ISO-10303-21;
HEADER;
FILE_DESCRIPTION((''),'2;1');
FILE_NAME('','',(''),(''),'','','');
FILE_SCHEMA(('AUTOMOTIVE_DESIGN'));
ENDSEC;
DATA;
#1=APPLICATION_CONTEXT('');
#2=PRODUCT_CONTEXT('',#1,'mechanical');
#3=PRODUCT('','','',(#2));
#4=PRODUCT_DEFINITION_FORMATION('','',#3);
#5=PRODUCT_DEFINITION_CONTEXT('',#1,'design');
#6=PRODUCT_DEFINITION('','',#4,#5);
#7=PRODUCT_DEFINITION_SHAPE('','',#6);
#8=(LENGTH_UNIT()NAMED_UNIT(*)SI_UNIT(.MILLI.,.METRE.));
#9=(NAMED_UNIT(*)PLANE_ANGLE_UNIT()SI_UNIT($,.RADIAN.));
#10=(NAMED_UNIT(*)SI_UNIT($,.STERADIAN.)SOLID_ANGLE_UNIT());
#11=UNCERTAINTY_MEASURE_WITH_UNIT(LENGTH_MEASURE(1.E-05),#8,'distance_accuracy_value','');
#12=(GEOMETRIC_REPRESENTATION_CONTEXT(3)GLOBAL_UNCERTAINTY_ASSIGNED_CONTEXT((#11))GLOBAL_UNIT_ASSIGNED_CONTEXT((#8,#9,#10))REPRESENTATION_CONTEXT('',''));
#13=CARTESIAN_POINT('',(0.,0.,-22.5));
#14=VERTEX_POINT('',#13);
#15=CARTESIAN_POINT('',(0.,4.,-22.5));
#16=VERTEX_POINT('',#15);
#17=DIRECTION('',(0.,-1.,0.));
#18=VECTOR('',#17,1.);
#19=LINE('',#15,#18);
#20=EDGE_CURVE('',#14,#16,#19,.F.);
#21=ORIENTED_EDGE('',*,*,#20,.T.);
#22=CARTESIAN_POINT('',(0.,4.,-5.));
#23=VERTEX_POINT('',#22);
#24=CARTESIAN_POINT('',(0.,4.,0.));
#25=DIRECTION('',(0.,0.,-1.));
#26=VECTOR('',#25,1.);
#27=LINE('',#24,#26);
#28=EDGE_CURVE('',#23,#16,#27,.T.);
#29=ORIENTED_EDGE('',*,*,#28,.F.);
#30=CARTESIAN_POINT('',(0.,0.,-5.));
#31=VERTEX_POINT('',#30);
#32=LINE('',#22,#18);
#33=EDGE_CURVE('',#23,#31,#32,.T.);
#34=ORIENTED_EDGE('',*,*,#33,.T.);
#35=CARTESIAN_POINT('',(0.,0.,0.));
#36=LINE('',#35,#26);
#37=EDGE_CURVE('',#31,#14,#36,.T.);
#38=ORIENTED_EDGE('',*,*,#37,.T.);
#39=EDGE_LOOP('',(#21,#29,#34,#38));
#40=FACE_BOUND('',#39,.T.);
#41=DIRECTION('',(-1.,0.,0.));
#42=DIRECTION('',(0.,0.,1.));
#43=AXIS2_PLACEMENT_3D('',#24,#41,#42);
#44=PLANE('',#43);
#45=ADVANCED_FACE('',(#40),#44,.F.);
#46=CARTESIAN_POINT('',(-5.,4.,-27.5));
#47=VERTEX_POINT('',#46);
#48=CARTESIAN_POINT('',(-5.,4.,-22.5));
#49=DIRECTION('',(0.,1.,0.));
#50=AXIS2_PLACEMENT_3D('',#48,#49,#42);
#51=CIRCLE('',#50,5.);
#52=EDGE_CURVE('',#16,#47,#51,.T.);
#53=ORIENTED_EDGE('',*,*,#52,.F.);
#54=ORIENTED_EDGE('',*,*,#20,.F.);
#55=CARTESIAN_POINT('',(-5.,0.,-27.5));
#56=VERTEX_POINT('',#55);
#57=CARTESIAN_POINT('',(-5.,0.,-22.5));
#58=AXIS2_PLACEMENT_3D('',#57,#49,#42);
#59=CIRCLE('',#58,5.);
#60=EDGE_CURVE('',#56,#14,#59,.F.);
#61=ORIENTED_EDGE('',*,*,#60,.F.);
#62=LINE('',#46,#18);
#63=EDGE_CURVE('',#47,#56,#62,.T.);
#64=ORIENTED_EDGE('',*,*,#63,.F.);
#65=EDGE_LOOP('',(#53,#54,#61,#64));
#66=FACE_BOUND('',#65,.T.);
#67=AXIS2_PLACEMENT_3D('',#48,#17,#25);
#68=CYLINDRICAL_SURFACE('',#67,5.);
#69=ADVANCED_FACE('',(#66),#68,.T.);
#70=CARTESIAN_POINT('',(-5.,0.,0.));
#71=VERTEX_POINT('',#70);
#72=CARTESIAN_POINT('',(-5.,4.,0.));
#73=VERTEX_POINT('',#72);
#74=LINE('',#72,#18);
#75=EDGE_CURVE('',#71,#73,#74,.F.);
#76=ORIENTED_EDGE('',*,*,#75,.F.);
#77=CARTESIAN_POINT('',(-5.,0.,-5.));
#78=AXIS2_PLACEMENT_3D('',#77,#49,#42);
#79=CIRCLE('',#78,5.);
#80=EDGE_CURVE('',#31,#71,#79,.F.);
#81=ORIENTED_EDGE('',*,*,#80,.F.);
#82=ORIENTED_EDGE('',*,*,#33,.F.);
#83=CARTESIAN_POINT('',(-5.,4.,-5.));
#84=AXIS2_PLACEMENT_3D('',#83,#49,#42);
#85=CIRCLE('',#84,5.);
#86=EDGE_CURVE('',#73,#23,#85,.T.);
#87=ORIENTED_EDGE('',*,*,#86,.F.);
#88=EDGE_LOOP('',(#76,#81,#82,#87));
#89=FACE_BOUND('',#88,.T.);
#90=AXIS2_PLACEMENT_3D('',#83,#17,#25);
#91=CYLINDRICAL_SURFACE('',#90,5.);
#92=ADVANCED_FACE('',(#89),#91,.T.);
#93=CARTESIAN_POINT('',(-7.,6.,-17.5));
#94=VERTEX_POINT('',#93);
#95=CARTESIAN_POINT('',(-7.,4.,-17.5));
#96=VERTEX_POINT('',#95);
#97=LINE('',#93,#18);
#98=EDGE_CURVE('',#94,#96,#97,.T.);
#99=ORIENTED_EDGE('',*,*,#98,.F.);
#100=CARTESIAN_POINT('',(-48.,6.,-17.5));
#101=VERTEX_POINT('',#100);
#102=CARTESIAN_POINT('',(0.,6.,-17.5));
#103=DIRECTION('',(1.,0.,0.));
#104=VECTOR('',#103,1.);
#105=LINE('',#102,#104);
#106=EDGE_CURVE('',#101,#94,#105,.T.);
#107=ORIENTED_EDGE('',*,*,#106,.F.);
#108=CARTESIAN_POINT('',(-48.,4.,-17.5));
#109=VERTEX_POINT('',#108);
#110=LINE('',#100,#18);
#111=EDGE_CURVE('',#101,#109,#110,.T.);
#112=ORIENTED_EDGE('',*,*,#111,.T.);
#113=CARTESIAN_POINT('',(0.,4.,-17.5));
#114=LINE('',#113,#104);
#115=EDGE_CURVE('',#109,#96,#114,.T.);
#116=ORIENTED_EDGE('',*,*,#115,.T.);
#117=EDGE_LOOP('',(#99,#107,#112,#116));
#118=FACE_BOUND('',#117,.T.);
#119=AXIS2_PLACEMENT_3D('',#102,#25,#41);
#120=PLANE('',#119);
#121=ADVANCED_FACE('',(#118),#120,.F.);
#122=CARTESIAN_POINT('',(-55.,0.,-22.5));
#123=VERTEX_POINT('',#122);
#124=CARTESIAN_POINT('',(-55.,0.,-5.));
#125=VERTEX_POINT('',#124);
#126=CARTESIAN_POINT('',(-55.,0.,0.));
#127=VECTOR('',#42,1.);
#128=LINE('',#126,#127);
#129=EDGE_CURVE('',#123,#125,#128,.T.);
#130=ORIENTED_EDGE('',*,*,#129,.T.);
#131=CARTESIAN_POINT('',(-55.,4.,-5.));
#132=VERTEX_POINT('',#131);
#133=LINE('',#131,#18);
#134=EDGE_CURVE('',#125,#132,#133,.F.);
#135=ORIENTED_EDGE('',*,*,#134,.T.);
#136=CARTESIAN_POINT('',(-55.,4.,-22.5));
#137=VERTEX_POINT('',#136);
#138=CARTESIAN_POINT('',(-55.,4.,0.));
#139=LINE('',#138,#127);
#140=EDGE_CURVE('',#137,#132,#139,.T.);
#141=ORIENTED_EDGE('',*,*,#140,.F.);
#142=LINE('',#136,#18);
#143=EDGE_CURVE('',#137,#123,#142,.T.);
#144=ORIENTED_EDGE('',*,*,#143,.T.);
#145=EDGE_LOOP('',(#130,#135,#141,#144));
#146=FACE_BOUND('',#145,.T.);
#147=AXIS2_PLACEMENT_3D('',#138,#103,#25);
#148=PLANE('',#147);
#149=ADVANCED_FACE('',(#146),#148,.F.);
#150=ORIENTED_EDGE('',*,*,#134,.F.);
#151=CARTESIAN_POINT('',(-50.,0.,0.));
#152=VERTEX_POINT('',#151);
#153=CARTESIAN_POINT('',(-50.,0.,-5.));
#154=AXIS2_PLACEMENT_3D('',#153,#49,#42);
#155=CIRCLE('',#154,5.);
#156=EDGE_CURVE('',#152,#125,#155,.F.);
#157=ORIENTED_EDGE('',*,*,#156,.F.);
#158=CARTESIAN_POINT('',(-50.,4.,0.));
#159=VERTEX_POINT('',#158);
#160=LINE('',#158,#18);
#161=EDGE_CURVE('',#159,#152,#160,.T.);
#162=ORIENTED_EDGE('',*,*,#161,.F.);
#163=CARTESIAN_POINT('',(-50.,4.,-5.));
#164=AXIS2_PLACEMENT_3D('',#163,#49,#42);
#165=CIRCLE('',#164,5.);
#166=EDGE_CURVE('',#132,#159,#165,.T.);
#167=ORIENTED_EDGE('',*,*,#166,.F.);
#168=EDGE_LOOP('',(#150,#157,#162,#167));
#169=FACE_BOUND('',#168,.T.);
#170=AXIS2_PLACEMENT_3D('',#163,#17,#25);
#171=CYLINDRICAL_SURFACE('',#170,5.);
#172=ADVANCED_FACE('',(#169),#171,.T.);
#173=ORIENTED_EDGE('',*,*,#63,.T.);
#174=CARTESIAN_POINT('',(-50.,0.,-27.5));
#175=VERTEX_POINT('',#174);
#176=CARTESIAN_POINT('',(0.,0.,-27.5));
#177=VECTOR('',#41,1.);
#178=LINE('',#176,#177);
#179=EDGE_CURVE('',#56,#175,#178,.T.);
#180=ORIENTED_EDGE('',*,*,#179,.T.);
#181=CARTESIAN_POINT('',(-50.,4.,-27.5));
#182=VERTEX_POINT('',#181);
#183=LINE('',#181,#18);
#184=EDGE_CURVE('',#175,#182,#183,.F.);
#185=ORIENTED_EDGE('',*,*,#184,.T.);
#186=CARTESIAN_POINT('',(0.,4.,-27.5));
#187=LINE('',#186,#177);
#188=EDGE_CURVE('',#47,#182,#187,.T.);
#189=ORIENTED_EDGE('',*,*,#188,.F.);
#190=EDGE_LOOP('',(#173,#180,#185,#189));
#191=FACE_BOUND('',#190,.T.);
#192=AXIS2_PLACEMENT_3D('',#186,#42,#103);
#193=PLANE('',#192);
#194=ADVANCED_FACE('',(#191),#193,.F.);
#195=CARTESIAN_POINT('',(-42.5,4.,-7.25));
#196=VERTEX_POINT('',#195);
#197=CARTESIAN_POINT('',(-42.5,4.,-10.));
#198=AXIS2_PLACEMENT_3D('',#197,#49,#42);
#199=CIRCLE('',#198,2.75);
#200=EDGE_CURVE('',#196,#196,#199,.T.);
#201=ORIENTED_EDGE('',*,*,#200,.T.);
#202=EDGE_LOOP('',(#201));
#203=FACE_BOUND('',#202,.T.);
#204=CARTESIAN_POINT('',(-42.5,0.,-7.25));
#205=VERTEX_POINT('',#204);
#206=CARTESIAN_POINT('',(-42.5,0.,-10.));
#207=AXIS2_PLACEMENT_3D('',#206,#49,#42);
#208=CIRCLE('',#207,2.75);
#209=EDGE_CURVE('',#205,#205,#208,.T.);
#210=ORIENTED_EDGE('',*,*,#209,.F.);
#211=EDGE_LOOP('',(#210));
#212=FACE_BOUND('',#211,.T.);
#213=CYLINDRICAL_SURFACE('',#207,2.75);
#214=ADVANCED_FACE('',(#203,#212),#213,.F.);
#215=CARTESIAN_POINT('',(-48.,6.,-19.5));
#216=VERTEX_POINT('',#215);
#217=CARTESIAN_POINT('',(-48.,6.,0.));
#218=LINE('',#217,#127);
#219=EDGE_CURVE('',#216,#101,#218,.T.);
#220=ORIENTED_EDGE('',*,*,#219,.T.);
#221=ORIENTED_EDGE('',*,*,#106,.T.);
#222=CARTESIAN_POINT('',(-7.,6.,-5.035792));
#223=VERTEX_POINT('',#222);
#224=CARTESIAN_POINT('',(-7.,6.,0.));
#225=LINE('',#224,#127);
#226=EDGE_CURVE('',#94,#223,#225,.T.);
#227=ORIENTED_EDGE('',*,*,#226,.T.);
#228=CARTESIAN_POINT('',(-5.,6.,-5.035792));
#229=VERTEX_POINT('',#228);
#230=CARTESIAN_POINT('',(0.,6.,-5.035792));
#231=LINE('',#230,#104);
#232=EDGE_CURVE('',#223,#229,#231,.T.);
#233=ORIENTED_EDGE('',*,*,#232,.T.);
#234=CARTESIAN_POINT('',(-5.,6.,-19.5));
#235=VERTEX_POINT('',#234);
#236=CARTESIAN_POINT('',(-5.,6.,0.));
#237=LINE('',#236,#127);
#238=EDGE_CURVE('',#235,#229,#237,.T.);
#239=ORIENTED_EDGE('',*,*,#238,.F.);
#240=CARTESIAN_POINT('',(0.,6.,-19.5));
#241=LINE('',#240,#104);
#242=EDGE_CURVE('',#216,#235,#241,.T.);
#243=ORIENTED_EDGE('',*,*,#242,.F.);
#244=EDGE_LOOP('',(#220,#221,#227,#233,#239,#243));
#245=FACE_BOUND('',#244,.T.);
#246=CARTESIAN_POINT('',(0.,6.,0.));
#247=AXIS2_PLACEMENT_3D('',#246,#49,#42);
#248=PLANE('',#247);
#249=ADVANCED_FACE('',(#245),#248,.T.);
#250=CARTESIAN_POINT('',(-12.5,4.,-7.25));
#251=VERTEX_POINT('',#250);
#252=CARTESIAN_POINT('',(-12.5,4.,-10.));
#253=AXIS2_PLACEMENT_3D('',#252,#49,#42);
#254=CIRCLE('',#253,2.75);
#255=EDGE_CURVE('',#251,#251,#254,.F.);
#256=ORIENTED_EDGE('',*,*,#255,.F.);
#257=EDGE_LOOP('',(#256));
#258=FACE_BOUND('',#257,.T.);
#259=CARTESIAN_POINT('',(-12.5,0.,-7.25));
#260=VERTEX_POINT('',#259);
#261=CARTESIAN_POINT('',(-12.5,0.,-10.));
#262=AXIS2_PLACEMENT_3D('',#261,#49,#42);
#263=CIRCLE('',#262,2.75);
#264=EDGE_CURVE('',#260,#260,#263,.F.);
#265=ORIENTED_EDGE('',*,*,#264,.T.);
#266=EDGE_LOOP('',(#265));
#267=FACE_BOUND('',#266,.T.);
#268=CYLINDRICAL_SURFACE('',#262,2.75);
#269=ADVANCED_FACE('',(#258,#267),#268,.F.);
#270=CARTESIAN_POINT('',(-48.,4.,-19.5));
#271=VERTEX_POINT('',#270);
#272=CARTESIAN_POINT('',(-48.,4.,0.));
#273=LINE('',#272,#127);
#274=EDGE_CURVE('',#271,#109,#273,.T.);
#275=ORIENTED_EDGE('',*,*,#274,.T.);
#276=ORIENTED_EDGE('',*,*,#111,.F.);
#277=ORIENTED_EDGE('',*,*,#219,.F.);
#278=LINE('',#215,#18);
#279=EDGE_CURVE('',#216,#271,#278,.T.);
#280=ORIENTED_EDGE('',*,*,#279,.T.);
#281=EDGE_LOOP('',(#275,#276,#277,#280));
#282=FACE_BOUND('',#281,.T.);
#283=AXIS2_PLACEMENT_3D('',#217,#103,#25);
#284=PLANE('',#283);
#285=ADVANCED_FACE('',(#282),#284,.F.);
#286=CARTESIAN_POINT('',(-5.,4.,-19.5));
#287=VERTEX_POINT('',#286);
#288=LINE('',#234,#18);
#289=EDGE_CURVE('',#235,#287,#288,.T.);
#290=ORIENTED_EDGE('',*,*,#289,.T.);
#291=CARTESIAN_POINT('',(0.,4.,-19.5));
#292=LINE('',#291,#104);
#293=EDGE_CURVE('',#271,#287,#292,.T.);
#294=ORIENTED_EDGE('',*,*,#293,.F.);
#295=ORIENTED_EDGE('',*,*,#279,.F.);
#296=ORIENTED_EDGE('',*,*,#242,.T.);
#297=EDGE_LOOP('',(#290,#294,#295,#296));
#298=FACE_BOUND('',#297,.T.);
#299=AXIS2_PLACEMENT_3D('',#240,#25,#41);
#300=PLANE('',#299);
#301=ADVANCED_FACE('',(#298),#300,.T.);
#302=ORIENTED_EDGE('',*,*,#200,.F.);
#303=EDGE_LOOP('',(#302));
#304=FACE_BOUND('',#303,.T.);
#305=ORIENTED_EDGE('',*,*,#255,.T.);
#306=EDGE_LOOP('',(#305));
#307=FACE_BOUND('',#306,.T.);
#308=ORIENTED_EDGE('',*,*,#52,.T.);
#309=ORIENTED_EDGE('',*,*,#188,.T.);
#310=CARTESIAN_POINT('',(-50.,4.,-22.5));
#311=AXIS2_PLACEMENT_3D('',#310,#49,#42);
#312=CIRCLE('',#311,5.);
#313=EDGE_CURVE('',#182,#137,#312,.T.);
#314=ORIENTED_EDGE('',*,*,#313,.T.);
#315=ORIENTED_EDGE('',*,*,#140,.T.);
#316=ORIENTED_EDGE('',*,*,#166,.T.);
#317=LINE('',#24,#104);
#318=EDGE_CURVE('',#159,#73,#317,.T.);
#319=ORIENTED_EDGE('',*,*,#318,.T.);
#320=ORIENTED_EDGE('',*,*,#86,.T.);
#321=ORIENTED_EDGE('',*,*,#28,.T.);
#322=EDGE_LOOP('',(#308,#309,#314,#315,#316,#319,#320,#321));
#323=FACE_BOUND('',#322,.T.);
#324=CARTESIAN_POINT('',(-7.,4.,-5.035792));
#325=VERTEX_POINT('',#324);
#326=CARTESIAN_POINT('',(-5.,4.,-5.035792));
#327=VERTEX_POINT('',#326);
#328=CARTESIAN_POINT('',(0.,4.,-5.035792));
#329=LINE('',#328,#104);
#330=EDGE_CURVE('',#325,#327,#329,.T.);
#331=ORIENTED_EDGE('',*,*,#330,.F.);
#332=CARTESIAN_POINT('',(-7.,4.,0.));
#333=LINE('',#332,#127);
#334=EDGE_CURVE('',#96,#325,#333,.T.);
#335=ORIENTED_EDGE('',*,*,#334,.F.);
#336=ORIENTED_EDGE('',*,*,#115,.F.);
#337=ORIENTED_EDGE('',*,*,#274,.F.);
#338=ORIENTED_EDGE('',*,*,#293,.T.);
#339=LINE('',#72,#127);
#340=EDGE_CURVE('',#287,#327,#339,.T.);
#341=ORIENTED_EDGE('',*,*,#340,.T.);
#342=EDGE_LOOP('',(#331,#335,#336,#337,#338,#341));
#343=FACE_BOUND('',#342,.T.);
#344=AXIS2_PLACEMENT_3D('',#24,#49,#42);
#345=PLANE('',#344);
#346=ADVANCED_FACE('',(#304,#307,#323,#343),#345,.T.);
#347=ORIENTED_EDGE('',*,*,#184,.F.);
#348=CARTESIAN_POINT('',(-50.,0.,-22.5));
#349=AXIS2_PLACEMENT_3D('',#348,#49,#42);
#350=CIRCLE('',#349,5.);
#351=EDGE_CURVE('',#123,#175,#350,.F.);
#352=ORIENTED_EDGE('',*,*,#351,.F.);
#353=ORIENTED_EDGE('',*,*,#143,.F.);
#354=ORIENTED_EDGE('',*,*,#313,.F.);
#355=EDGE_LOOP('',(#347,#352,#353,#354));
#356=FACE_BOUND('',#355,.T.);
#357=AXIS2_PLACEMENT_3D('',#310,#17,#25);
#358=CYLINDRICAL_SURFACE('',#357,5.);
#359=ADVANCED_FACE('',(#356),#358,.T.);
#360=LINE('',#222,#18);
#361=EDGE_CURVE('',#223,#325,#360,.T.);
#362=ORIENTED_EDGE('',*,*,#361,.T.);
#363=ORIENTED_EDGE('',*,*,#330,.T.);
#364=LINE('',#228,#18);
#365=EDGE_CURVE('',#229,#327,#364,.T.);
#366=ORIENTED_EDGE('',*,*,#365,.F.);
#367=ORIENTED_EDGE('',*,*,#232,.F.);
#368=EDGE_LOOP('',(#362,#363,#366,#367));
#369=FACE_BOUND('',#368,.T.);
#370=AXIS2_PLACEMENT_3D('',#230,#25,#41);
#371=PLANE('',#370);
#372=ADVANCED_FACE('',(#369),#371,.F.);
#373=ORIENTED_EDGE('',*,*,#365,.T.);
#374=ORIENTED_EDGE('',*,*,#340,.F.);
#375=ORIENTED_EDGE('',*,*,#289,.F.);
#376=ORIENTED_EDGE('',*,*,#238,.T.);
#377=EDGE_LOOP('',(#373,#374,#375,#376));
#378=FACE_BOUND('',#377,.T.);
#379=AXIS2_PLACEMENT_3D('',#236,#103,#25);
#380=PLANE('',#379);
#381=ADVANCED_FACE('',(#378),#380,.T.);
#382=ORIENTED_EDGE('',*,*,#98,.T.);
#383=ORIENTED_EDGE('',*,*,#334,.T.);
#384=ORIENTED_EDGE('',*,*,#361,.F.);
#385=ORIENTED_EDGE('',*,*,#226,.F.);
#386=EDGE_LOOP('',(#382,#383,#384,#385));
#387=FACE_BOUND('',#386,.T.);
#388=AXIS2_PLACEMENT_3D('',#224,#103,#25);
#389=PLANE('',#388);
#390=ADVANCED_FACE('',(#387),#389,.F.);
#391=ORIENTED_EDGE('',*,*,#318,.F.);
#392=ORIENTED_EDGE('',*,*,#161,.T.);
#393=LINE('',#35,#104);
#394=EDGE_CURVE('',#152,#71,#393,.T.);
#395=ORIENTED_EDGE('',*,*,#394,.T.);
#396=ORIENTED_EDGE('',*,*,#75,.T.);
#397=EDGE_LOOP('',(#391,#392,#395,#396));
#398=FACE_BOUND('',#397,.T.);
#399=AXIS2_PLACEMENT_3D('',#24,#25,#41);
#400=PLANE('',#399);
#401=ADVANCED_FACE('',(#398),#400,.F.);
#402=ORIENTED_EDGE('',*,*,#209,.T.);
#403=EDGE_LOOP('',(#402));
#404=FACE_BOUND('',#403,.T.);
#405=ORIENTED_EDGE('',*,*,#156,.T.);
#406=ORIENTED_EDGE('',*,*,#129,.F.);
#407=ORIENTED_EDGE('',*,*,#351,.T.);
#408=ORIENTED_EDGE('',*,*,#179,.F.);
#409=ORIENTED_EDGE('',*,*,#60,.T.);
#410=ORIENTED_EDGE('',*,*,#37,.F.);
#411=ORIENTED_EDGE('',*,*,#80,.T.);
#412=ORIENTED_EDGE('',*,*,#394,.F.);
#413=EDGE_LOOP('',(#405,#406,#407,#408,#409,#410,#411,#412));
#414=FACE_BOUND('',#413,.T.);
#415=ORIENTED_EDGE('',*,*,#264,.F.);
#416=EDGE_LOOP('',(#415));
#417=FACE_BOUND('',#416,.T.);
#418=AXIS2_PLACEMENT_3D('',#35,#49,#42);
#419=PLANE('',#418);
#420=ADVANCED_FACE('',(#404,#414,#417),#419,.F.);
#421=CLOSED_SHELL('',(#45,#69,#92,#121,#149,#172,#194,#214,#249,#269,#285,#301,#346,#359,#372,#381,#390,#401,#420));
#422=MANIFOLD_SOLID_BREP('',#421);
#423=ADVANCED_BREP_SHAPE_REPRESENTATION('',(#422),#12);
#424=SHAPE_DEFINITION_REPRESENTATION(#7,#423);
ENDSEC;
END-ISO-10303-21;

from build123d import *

# Parameters (mm, degrees)
SKETCH_1_W          = 55
SKETCH_1_H          = 27.5
EXTRUDE_1_DEPTH     = 4
SKETCH_2_R          = 2.75
CUT_EXTRUDE_1_DEPTH = 62.621830547
FILLET_1_R          = 5
SKETCH_4_W          = 20.5
SKETCH_4_H          = 2
SKETCH_4_W_2        = 2
SKETCH_4_H_2        = 12.464207651
EXTRUDE_6_DEPTH     = 2


with BuildPart() as part:
    # 草图1 → 凸台-拉伸1 (new body)
    with BuildSketch(Plane(origin=(0, 0, 0), x_dir=(1, 0, 0), z_dir=(0, 1, 0))):
        with Locations((-27.5, 13.75)):
            Rectangle(SKETCH_1_W, SKETCH_1_H)
    extrude(amount=EXTRUDE_1_DEPTH)

    # 草图2 → 切除-拉伸1 (cut, through all)
    with BuildSketch(Plane(origin=(0, 4, 0), x_dir=(1, 0, 0), z_dir=(0, 1, 0))):
        with Locations(Location((-42.5, 10, 0), (0, 0, 270))):
            Circle(SKETCH_2_R)
        with Locations(Location((-12.5, 10, 0), (0, 0, 270))):
            Circle(SKETCH_2_R)
    extrude(amount=-CUT_EXTRUDE_1_DEPTH, mode=Mode.SUBTRACT)

    # 圆角1
    fillet_1_edges = [part.edges().sort_by_distance(p)[0] for p in [
        (0, 2, 0),
        (-55, 2, 0),
        (-55, 2, -27.5),
        (0, 2, -27.5),
    ]]
    fillet(fillet_1_edges, radius=FILLET_1_R)

    # 草图4 → 凸台-拉伸6 (add)
    with BuildSketch(Plane(origin=(0, 4, 0), x_dir=(1, 0, 0), z_dir=(0, 1, 0))):
        with Locations((-17.25, 18.5)):
            Rectangle(SKETCH_4_W, SKETCH_4_H)
        with Locations((-6, 18.5)):
            Rectangle(SKETCH_4_W_2, SKETCH_4_H)
        with Locations((-6, 11.267896175)):
            Rectangle(SKETCH_4_W_2, SKETCH_4_H_2)
        with Locations((-37.75, 18.5)):
            Rectangle(SKETCH_4_W, SKETCH_4_H)
    extrude(amount=EXTRUDE_6_DEPTH)


solid = part.part
